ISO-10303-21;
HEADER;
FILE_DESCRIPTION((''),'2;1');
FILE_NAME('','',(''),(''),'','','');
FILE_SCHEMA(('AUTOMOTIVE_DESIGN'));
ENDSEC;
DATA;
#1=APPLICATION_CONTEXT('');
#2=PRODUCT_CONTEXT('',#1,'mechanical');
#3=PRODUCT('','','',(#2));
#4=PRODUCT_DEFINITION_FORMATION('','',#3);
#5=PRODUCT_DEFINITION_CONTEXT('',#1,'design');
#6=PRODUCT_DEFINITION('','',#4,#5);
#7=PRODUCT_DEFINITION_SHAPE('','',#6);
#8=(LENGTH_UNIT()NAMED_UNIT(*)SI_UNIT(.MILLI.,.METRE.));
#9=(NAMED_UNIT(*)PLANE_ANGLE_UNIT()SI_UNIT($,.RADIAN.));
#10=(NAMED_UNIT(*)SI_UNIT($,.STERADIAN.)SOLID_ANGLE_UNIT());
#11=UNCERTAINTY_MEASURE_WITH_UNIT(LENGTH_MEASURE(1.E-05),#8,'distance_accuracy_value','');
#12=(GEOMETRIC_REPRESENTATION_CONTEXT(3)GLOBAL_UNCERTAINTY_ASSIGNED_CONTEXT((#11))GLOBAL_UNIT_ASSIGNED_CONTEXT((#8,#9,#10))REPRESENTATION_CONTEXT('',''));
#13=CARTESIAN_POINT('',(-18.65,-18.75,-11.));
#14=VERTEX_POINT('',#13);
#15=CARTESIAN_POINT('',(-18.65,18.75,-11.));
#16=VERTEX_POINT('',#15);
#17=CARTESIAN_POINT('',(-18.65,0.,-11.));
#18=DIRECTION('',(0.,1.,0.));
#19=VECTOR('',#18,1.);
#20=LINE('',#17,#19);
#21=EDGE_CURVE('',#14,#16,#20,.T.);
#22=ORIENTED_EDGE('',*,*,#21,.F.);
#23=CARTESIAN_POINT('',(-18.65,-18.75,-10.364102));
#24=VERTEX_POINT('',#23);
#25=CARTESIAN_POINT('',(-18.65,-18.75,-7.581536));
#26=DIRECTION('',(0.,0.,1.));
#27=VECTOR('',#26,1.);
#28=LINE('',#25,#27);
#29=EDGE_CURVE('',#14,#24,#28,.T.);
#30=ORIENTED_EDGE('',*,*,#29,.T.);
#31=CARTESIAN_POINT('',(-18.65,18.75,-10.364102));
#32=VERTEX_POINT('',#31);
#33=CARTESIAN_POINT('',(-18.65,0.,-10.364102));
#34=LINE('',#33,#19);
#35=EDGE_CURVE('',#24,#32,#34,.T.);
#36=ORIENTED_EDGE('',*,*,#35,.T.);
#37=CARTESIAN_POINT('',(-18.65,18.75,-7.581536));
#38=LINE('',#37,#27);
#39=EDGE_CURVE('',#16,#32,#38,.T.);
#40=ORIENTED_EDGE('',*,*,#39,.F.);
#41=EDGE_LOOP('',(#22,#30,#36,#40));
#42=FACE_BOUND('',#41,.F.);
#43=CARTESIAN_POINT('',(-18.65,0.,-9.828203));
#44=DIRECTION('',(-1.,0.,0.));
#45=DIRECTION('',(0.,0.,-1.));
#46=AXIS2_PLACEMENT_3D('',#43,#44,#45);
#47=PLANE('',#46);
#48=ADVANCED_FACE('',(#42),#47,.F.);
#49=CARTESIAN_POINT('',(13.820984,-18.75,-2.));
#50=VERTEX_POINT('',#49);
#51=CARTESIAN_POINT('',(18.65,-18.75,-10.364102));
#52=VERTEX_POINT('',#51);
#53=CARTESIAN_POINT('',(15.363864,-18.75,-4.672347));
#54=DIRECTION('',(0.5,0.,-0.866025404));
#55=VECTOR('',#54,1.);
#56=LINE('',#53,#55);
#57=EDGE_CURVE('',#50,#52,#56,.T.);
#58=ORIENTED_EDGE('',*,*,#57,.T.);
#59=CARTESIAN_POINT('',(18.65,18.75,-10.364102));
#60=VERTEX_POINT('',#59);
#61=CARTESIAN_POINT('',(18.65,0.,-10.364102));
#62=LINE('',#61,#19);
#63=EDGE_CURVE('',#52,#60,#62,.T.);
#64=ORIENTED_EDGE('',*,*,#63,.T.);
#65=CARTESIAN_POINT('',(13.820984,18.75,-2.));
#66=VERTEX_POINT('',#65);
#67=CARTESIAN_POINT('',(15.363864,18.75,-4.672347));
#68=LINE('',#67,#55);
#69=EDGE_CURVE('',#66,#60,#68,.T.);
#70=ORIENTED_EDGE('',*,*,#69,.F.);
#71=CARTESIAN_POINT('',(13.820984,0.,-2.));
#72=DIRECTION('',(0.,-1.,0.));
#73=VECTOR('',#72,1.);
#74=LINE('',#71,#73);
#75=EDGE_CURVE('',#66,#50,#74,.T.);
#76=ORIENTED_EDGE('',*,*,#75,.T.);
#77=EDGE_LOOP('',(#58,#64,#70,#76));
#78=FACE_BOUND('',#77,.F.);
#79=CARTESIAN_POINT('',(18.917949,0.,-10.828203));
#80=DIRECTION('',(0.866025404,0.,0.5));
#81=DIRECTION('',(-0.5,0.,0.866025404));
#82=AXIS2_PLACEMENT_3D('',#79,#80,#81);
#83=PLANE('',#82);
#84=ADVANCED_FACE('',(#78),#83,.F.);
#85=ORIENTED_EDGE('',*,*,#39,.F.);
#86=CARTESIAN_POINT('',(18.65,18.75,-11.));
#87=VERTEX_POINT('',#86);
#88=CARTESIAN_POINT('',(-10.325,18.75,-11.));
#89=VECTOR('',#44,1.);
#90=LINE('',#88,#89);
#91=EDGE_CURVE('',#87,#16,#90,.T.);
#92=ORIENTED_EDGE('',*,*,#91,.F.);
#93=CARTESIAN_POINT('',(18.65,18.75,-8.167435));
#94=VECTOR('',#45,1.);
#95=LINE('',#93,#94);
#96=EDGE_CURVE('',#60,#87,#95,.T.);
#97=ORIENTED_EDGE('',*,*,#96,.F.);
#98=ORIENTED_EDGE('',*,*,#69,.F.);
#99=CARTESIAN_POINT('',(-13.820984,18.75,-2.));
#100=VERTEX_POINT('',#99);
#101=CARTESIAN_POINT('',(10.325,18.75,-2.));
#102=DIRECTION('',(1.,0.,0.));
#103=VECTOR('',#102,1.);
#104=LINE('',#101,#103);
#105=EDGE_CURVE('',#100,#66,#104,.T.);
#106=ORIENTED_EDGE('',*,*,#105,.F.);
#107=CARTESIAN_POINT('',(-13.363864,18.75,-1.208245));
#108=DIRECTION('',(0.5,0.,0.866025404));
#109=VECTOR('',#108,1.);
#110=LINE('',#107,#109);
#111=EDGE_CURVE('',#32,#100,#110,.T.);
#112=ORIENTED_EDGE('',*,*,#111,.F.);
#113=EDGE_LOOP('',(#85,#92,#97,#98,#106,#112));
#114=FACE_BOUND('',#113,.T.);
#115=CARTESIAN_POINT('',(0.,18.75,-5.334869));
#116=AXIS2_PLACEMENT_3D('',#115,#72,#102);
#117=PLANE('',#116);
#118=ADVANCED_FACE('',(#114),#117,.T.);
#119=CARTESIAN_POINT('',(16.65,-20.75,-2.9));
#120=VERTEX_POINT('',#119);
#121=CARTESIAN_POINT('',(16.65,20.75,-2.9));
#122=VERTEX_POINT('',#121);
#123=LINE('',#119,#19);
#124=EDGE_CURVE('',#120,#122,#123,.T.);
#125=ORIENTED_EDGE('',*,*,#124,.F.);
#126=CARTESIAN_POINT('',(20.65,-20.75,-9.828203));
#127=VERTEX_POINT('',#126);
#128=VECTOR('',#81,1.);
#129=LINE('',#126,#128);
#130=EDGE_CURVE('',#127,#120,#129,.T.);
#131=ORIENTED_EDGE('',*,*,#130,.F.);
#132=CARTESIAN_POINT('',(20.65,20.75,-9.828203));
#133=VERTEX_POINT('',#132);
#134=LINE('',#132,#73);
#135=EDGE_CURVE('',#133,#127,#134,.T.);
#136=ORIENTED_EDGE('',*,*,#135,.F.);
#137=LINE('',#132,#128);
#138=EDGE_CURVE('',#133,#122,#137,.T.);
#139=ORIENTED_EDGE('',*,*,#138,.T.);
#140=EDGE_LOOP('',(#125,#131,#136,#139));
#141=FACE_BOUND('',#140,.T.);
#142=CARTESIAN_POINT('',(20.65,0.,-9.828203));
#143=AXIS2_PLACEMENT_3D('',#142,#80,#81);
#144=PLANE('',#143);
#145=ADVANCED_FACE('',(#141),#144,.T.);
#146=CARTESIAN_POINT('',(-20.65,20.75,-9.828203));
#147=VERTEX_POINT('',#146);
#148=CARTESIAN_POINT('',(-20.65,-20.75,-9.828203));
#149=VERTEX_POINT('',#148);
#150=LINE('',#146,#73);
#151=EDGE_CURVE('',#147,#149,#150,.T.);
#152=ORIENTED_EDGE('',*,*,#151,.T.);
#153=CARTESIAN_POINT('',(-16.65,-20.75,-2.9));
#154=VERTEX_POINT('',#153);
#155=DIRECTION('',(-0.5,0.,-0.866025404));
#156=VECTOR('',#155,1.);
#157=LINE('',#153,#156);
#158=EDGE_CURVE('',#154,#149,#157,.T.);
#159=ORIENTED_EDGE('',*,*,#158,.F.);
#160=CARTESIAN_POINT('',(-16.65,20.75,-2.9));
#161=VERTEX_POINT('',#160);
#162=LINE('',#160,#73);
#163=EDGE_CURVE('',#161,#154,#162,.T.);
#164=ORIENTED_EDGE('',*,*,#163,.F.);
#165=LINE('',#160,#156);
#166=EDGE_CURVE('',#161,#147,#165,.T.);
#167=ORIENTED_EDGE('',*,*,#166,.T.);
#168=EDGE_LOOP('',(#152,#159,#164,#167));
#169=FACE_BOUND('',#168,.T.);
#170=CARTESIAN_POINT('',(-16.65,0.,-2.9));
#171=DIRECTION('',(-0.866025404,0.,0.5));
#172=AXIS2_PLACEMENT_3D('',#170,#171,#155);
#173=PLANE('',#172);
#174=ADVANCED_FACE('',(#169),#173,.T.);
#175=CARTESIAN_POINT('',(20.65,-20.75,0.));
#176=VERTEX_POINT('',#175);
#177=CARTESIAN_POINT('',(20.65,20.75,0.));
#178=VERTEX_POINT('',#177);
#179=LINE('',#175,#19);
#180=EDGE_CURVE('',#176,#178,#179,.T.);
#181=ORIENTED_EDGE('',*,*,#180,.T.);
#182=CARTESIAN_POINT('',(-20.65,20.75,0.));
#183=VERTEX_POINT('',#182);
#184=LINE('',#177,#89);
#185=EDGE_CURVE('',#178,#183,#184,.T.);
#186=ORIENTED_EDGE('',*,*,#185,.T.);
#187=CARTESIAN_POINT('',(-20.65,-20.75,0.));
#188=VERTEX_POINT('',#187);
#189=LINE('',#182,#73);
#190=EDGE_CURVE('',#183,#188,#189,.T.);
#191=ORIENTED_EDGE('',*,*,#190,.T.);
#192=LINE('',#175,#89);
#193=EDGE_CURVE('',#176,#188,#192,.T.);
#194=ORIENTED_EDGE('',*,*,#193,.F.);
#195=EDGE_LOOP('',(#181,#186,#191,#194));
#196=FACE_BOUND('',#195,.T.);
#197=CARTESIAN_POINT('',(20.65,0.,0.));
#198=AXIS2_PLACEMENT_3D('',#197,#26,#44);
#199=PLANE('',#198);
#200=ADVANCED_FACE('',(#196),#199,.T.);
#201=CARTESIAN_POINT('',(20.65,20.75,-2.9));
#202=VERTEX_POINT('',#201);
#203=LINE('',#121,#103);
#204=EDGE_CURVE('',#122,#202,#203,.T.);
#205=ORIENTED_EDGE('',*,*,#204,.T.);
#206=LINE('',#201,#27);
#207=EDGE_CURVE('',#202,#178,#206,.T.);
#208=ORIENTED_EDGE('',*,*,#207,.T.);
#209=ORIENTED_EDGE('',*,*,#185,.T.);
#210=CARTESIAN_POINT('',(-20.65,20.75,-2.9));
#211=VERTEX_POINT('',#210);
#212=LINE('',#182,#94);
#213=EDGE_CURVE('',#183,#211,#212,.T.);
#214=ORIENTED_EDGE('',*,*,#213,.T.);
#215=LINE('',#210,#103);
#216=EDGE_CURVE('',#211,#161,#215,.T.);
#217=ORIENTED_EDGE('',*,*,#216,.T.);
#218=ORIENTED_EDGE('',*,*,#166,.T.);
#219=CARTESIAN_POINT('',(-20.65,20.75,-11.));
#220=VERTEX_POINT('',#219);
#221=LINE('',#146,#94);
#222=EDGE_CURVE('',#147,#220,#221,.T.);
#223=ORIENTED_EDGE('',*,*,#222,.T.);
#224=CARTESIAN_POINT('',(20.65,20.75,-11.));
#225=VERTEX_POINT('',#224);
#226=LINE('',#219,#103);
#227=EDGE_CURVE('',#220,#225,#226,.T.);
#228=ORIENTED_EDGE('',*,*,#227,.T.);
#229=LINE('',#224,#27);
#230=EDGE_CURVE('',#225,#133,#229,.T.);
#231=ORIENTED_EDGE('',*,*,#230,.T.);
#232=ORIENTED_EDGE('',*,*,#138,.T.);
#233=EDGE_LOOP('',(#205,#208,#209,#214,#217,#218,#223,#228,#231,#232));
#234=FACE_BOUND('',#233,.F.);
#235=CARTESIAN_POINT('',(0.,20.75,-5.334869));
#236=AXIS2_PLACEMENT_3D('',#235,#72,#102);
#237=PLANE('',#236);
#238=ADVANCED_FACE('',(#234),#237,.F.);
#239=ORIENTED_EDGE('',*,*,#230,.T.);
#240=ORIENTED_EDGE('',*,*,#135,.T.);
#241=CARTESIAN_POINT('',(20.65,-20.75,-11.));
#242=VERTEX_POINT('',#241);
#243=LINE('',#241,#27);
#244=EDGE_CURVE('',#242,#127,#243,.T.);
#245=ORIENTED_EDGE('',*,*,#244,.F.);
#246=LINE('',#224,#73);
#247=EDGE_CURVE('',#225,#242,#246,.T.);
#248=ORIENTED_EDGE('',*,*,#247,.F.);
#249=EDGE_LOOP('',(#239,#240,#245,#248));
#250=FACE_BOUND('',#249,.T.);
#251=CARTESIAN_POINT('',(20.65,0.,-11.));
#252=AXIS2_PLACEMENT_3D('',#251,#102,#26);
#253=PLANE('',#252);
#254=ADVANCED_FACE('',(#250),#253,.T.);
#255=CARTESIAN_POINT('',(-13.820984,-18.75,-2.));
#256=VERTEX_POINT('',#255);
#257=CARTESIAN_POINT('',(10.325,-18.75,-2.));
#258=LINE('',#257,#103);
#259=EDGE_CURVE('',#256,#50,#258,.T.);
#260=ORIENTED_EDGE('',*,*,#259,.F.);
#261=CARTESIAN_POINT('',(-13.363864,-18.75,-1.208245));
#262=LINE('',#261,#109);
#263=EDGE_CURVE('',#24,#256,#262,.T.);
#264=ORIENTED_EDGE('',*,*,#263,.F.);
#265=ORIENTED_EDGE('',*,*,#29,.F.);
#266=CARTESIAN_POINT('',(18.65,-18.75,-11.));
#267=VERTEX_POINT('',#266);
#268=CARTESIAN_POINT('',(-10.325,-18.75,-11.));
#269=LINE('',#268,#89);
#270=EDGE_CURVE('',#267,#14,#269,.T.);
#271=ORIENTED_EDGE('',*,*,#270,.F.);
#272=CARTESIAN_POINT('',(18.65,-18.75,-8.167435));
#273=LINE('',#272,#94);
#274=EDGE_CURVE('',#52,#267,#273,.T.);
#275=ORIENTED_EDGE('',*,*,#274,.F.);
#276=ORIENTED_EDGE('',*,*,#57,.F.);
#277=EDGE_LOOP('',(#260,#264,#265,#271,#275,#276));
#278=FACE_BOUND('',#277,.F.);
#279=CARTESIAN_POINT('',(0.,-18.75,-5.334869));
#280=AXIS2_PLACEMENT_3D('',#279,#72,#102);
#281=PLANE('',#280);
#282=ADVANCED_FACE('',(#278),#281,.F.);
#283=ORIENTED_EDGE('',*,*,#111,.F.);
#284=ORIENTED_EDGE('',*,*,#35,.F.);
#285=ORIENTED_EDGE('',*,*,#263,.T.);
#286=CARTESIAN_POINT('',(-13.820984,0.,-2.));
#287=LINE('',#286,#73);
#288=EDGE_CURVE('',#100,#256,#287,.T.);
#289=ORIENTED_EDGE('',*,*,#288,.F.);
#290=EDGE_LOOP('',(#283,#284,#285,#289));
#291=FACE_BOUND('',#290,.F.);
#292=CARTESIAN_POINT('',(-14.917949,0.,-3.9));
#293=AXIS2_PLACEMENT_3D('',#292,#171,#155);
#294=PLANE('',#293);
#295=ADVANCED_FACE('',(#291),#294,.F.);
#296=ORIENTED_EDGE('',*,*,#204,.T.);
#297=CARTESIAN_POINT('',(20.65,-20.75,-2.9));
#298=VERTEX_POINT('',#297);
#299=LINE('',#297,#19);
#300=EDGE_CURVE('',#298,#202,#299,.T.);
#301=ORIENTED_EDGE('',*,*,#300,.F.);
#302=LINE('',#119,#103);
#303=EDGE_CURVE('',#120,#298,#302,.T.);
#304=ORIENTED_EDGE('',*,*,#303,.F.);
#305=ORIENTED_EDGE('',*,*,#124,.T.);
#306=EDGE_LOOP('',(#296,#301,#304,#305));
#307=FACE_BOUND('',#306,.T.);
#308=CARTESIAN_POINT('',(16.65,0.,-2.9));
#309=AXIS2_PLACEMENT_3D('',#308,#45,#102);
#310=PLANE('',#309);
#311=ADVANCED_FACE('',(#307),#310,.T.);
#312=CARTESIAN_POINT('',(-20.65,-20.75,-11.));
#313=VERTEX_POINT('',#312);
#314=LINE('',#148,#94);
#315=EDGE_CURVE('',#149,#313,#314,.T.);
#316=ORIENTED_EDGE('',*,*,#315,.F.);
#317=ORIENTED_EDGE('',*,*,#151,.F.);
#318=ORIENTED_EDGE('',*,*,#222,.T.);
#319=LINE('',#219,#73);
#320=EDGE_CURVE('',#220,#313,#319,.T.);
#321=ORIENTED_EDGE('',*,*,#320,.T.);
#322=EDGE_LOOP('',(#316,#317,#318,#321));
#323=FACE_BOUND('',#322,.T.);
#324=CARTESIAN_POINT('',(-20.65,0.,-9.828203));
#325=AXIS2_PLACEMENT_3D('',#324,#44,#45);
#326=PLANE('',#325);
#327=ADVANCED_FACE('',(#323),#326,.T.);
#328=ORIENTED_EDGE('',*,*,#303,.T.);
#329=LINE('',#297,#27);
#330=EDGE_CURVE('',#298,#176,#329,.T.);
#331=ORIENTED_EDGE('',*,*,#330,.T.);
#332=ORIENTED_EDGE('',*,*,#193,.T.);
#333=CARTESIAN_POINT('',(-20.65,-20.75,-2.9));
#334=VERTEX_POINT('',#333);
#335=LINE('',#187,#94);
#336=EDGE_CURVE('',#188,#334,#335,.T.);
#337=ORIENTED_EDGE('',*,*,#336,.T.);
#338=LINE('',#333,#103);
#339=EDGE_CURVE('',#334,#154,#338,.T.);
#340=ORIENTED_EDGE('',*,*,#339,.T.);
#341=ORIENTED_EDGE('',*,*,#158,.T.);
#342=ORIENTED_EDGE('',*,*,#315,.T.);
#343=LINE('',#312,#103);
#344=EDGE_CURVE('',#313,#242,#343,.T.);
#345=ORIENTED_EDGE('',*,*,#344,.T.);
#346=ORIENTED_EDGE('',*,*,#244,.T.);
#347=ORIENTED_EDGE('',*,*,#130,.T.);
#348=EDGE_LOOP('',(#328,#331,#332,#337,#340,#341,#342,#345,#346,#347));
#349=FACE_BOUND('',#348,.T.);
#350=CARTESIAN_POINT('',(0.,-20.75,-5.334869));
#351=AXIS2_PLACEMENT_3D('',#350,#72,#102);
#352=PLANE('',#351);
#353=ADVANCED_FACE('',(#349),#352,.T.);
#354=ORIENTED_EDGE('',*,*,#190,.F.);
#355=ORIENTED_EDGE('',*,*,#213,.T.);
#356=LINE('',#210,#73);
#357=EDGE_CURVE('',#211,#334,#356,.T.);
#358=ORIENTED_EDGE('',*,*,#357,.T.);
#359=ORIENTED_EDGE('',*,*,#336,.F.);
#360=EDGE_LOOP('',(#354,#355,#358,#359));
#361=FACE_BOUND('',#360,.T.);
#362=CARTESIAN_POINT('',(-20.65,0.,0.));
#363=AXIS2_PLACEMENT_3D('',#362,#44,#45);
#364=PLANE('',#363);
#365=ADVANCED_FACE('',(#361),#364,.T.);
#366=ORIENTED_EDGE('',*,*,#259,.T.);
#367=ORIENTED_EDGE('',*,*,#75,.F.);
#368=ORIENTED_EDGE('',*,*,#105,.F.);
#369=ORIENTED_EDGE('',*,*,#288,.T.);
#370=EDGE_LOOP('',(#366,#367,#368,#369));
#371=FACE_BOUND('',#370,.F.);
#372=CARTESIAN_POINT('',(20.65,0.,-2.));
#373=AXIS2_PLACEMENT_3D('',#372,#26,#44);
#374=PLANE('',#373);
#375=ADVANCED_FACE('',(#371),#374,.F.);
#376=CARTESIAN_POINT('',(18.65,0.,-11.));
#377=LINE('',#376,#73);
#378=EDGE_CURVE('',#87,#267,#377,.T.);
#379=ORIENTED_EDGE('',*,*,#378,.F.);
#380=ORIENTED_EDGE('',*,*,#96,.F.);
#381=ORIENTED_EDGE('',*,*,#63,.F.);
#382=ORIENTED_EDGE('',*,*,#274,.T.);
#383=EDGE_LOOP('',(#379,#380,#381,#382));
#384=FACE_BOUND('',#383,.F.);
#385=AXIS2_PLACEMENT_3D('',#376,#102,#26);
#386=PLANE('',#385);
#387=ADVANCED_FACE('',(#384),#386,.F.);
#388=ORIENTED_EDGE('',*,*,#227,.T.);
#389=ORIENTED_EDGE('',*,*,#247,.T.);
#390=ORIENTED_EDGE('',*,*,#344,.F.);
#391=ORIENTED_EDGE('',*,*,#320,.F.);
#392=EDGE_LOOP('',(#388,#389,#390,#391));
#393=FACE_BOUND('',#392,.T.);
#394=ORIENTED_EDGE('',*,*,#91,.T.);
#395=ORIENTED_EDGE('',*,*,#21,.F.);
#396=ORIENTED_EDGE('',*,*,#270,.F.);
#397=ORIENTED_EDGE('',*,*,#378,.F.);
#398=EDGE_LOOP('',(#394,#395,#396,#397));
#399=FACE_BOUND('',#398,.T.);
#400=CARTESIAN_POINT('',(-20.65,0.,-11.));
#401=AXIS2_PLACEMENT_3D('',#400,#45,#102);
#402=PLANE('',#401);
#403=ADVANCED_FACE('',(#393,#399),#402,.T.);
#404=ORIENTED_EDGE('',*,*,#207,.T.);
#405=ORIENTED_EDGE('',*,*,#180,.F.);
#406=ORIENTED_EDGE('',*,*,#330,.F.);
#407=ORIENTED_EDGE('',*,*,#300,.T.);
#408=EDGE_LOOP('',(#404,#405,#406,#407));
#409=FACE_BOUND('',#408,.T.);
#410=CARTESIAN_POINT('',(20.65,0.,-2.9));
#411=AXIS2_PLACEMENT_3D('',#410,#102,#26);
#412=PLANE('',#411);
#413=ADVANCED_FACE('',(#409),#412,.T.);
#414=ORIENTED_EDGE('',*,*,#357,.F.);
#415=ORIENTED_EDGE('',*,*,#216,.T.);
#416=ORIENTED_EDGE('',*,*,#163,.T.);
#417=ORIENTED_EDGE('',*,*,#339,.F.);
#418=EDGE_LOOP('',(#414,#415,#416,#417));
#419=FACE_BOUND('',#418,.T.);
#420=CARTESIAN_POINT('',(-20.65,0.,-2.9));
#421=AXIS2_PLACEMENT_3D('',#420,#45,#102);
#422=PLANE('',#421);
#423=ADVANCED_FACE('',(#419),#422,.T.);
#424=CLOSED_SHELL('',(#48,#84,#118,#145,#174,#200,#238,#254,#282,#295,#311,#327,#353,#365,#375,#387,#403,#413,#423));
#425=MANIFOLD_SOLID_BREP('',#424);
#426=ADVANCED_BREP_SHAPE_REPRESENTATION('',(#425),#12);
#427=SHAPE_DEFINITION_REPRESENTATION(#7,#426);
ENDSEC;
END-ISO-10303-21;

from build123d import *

# Parameters (mm, degrees)
F1_DEPTH = 20.75
F2_T     = -2


with BuildPart() as f1:
    # F0 (on Front) → F1 (new body, symmetric)
    with BuildSketch(Plane.XZ):
        Polygon((20.65, 0), (-20.65, 0), (-20.65, -2.9), (-16.65, -2.9), (-20.65, -9.8282032303), (-20.65, -11), (20.65, -11), (20.65, -9.8282032303), (16.65, -2.9), (20.65, -2.9), align=None)
    extrude(amount=F1_DEPTH, both=True)

    # F2
    f2_openings = [f1.faces().sort_by_distance(p)[0] for p in [
        (0, 0, -11),
    ]]
    offset(amount=F2_T, openings=f2_openings, kind=Kind.INTERSECTION)


solid = f1.part
